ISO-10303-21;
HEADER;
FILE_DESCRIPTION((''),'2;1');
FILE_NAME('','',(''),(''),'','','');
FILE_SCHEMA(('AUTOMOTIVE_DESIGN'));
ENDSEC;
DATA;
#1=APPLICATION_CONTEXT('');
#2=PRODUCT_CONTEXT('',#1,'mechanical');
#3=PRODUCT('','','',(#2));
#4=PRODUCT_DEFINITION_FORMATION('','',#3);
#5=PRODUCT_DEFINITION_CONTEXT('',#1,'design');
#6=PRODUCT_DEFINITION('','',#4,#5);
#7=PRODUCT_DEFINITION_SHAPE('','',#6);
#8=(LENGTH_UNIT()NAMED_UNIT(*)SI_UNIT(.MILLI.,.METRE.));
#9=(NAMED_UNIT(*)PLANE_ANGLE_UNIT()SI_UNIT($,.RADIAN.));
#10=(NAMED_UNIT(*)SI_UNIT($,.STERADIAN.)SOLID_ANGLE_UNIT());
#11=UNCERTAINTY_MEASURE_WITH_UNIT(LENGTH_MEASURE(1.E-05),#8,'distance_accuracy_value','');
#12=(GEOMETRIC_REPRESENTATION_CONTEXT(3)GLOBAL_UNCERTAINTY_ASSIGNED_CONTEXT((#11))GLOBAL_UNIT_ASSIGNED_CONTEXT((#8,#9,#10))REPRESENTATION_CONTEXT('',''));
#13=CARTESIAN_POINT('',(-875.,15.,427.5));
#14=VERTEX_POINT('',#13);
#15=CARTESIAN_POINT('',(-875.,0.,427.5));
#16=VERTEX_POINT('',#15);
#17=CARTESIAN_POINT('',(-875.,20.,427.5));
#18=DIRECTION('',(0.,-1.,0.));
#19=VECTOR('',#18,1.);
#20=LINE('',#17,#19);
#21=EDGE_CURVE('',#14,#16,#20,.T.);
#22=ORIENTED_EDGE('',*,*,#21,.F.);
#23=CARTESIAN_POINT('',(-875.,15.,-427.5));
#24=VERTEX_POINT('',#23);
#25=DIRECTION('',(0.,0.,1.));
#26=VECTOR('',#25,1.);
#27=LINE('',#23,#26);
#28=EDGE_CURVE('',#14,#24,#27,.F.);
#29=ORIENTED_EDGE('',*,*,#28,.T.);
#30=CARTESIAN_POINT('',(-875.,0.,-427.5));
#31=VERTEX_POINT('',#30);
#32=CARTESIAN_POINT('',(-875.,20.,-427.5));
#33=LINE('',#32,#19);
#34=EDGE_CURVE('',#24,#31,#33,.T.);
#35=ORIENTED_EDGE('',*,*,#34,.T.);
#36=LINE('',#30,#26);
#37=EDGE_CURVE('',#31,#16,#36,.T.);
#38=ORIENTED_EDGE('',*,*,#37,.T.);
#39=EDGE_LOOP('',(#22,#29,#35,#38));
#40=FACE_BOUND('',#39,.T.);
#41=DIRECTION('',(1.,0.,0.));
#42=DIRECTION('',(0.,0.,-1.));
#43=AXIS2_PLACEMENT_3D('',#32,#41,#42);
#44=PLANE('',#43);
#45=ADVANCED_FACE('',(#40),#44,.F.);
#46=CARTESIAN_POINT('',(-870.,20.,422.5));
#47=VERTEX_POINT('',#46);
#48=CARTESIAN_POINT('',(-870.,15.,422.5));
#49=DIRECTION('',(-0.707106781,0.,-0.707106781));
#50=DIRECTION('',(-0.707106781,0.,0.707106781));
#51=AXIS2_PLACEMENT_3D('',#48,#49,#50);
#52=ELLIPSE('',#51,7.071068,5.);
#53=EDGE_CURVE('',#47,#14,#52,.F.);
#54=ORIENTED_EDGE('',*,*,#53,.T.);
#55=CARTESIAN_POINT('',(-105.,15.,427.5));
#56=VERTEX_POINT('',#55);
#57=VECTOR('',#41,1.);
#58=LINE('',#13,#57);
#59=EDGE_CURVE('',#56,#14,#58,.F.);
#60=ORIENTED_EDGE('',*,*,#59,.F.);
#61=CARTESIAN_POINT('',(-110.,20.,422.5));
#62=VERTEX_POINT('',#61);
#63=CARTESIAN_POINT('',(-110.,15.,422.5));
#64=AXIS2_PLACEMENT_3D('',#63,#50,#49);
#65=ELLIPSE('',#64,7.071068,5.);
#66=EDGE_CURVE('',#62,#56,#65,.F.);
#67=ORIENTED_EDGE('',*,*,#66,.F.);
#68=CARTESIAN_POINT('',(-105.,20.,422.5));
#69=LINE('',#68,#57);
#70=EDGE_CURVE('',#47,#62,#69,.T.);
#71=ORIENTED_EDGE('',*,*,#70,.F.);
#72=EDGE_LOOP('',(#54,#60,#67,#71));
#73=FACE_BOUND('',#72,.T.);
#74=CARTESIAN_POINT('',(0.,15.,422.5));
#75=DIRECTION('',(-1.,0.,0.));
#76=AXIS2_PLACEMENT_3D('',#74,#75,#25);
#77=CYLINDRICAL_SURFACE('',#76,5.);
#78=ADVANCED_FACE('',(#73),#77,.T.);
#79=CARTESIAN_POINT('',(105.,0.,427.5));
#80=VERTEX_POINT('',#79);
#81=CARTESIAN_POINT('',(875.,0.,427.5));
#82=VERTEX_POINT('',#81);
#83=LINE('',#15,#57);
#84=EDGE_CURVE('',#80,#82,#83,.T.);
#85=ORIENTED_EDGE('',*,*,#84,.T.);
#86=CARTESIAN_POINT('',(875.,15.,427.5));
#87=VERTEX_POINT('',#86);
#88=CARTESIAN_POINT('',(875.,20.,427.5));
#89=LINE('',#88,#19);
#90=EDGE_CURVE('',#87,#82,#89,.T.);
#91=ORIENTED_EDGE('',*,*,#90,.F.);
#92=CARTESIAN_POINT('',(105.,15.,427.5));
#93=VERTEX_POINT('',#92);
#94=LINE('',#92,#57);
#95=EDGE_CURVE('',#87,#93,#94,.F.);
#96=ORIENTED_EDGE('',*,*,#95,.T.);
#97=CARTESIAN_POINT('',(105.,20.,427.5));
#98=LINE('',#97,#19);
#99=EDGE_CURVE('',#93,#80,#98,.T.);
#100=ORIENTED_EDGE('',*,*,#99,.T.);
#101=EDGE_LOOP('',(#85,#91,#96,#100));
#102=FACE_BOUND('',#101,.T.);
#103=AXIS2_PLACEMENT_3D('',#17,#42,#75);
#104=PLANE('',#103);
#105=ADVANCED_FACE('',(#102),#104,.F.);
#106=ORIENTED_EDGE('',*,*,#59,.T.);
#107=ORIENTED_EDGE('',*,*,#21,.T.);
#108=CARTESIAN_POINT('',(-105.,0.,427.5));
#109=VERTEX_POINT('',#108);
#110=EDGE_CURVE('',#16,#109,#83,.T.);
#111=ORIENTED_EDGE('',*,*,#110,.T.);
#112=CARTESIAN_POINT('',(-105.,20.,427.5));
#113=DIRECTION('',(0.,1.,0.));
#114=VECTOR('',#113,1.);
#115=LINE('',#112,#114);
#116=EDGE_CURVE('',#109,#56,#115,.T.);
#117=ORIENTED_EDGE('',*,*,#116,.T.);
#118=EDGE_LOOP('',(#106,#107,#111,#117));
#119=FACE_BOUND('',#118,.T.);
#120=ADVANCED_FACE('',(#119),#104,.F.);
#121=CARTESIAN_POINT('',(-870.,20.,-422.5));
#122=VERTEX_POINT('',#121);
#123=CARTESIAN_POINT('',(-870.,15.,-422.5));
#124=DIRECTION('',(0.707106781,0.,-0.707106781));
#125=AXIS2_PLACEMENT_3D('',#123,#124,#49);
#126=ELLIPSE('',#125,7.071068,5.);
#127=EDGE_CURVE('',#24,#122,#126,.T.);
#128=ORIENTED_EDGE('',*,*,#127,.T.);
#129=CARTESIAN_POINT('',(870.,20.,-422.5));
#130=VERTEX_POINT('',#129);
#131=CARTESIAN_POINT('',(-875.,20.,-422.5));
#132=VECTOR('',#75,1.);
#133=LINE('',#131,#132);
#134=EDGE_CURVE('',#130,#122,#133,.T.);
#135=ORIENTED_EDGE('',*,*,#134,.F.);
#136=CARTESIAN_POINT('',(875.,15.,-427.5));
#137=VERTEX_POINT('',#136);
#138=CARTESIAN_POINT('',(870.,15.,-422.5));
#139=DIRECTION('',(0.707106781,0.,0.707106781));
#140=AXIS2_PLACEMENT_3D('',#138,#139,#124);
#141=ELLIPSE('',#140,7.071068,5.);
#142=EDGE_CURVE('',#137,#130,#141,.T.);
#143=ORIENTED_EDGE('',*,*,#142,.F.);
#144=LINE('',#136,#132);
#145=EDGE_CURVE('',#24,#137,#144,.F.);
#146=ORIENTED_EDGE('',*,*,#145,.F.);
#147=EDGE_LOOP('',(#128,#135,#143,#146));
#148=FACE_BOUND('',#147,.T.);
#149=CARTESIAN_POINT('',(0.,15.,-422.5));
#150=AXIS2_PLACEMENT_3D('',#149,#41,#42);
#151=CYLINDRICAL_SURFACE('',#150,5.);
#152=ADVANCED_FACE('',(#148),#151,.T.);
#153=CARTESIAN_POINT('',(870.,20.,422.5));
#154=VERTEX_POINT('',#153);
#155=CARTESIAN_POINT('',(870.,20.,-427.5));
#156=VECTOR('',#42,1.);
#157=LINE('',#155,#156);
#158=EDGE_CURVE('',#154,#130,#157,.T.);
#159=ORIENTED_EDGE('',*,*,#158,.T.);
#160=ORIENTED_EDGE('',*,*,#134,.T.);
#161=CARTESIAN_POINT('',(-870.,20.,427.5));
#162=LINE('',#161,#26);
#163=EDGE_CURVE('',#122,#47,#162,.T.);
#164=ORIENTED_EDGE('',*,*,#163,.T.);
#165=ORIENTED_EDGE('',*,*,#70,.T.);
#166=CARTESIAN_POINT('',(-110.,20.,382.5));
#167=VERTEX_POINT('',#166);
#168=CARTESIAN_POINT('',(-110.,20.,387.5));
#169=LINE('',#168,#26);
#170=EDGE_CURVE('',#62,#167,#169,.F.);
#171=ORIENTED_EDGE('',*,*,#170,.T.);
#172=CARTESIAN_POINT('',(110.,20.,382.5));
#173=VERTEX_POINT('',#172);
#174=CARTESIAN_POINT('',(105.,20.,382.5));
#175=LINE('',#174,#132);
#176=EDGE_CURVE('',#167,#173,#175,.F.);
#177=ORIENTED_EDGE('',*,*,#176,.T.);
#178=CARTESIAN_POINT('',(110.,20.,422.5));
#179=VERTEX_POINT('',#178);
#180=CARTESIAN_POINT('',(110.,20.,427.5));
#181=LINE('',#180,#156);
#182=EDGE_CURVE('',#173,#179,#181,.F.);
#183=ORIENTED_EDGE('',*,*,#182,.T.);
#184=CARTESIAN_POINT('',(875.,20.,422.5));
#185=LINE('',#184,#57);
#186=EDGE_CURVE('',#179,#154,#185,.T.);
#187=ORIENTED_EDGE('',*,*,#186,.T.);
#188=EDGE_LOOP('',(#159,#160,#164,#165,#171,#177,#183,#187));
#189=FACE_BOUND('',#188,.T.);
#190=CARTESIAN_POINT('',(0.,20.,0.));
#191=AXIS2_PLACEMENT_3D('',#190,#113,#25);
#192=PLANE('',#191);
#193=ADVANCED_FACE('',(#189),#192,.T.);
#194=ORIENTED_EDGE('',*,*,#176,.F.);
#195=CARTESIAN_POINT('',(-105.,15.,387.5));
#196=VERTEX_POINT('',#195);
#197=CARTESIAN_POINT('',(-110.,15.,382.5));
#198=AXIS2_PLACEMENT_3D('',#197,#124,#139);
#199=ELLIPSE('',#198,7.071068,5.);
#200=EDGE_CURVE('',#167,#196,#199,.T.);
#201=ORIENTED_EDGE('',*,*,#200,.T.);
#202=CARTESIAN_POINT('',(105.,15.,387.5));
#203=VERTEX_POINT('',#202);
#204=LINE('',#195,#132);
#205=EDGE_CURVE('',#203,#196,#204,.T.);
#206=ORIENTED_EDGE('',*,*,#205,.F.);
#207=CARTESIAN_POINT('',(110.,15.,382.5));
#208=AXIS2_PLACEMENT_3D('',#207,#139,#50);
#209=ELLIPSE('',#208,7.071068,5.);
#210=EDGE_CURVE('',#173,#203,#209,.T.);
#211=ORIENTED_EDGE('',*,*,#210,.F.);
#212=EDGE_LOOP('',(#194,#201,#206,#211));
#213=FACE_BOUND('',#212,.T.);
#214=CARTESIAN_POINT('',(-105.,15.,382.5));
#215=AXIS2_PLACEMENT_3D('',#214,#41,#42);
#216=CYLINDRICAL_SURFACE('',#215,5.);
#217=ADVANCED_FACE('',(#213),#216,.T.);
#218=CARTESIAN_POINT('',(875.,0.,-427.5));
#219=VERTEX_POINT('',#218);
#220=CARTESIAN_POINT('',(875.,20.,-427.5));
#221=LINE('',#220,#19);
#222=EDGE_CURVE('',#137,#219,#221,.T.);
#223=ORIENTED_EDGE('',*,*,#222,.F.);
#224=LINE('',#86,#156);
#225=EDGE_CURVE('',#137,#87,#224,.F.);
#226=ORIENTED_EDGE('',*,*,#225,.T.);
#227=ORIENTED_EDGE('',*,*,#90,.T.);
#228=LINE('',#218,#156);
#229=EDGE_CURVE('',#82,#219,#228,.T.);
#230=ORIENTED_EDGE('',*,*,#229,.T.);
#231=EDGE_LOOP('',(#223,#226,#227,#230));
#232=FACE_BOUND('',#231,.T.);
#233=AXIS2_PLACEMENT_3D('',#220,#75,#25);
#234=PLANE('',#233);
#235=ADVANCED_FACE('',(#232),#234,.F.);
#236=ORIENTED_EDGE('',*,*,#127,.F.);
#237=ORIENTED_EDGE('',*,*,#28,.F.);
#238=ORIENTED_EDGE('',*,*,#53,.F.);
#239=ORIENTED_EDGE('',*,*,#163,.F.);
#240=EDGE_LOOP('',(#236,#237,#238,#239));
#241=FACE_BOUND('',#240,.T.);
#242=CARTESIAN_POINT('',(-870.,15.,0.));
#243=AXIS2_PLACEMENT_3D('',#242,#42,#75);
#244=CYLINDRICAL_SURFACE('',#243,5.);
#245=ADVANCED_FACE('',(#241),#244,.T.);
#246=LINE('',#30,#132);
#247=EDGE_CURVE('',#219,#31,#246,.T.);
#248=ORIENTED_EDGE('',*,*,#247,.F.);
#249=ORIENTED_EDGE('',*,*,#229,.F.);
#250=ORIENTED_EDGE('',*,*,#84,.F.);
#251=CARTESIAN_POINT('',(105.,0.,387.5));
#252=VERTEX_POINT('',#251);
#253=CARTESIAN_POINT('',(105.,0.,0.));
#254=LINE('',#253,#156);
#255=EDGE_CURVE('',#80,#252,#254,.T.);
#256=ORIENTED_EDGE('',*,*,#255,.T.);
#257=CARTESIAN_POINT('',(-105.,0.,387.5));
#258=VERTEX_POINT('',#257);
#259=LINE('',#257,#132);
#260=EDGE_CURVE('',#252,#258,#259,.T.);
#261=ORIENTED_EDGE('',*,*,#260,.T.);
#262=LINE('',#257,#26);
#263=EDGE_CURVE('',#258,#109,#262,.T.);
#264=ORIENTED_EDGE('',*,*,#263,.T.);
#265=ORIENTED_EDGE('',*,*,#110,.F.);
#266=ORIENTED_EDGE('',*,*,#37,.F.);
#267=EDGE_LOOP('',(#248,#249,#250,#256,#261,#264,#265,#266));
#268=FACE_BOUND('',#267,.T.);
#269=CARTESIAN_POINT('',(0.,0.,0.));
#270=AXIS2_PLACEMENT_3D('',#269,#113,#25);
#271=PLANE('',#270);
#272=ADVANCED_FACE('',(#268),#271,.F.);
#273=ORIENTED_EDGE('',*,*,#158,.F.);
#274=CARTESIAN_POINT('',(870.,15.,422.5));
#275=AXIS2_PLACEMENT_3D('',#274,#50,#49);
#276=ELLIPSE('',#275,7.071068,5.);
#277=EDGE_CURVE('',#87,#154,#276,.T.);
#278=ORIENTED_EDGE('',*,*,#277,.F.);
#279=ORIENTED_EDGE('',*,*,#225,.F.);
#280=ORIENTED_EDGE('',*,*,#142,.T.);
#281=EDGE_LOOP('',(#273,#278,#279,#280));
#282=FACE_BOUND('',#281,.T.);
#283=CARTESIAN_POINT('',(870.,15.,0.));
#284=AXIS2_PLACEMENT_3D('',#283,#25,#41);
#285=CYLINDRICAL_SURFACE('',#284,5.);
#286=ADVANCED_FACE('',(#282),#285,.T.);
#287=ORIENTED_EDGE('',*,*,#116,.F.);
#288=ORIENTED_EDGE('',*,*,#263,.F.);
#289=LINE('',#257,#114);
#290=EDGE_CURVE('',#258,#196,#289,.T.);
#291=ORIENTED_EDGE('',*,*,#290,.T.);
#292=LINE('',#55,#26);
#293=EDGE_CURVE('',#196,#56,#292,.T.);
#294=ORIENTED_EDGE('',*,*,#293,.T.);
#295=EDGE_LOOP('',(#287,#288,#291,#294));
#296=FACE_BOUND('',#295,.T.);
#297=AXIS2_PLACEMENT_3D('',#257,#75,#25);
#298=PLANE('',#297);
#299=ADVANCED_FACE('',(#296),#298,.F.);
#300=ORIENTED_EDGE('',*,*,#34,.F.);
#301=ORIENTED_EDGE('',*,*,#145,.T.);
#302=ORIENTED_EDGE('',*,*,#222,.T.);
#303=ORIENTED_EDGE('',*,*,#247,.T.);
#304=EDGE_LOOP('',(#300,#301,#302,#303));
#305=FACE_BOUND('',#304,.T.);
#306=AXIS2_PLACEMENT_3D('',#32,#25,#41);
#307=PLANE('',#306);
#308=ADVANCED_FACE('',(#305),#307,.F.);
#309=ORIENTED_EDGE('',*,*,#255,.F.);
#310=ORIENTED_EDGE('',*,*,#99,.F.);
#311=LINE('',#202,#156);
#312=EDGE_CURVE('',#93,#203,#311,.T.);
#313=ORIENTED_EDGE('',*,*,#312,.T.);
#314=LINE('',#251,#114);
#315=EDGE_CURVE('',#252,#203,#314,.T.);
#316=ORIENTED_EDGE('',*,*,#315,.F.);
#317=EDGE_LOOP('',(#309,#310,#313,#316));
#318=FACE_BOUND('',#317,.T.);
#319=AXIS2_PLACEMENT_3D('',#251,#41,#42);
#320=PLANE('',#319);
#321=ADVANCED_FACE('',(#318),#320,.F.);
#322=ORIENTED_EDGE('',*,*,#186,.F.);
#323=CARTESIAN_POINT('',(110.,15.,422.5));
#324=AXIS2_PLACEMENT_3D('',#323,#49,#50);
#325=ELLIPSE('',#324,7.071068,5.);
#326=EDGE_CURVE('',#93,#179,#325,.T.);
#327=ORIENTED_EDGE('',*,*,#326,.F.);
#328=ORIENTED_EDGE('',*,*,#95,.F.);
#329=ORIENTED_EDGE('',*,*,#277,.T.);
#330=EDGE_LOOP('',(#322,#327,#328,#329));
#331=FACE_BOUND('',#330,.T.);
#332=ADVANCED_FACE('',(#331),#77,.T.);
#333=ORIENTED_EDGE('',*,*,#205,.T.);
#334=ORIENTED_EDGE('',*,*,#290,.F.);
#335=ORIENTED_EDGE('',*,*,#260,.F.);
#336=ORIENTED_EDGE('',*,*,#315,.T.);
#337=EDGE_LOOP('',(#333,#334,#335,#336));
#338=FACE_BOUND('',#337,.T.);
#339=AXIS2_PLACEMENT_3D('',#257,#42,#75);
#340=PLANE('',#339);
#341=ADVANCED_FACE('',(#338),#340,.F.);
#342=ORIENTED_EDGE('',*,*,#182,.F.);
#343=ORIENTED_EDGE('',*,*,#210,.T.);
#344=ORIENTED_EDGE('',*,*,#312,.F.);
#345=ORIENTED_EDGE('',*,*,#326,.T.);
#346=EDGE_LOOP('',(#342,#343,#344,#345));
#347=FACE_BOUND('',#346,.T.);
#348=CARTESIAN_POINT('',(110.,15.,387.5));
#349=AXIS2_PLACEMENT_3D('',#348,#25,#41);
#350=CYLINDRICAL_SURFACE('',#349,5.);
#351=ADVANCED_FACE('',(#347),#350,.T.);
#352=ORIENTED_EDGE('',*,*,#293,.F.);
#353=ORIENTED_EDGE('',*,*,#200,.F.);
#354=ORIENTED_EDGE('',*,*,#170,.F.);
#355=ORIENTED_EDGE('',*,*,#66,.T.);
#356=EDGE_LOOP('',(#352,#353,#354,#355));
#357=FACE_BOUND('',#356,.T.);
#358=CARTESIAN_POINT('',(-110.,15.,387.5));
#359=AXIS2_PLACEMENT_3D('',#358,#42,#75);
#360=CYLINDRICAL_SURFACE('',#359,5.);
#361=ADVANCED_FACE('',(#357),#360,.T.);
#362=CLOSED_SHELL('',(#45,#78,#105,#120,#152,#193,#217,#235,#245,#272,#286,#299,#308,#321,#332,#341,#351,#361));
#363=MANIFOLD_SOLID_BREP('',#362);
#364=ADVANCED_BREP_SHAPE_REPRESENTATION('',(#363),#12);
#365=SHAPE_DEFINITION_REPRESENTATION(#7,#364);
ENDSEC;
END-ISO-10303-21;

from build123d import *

# Parameters (mm, degrees)
SKETCH1_W           = 1750
SKETCH1_H           = 855
BOSS_EXTRUDE1_DEPTH = 20
SKETCH2_W           = 210
SKETCH2_H           = 80
CUT_EXTRUDE1_DEPTH  = 20
FILLET1_R           = 5


with BuildPart() as part:
    # Sketch1 → Boss-Extrude1 (new body)
    with BuildSketch(Plane(origin=(0, 0, 0), x_dir=(1, 0, 0), z_dir=(0, 1, 0))):
        Rectangle(SKETCH1_W, SKETCH1_H)
    extrude(amount=BOSS_EXTRUDE1_DEPTH)

    # Sketch2 → Cut-Extrude1 (cut)
    with BuildSketch(Plane(origin=(0, 20, 0), x_dir=(1, 0, 0), z_dir=(0, 1, 0))):
        with Locations((0, -427.5)):
            Rectangle(SKETCH2_W, SKETCH2_H)
    extrude(amount=-CUT_EXTRUDE1_DEPTH, mode=Mode.SUBTRACT)

    # Fillet1
    fillet1_edges = [part.edges().sort_by_distance(p)[0] for p in [
        (-875, 20, 0),
        (490, 20, 427.5),
        (-490, 20, 427.5),
        (-105, 20, 407.5),
        (105, 20, 407.5),
        (0, 20, 387.5),
        (875, 20, 0),
        (0, 20, -427.5),
    ]]
    fillet(fillet1_edges, radius=FILLET1_R)


solid = part.part
